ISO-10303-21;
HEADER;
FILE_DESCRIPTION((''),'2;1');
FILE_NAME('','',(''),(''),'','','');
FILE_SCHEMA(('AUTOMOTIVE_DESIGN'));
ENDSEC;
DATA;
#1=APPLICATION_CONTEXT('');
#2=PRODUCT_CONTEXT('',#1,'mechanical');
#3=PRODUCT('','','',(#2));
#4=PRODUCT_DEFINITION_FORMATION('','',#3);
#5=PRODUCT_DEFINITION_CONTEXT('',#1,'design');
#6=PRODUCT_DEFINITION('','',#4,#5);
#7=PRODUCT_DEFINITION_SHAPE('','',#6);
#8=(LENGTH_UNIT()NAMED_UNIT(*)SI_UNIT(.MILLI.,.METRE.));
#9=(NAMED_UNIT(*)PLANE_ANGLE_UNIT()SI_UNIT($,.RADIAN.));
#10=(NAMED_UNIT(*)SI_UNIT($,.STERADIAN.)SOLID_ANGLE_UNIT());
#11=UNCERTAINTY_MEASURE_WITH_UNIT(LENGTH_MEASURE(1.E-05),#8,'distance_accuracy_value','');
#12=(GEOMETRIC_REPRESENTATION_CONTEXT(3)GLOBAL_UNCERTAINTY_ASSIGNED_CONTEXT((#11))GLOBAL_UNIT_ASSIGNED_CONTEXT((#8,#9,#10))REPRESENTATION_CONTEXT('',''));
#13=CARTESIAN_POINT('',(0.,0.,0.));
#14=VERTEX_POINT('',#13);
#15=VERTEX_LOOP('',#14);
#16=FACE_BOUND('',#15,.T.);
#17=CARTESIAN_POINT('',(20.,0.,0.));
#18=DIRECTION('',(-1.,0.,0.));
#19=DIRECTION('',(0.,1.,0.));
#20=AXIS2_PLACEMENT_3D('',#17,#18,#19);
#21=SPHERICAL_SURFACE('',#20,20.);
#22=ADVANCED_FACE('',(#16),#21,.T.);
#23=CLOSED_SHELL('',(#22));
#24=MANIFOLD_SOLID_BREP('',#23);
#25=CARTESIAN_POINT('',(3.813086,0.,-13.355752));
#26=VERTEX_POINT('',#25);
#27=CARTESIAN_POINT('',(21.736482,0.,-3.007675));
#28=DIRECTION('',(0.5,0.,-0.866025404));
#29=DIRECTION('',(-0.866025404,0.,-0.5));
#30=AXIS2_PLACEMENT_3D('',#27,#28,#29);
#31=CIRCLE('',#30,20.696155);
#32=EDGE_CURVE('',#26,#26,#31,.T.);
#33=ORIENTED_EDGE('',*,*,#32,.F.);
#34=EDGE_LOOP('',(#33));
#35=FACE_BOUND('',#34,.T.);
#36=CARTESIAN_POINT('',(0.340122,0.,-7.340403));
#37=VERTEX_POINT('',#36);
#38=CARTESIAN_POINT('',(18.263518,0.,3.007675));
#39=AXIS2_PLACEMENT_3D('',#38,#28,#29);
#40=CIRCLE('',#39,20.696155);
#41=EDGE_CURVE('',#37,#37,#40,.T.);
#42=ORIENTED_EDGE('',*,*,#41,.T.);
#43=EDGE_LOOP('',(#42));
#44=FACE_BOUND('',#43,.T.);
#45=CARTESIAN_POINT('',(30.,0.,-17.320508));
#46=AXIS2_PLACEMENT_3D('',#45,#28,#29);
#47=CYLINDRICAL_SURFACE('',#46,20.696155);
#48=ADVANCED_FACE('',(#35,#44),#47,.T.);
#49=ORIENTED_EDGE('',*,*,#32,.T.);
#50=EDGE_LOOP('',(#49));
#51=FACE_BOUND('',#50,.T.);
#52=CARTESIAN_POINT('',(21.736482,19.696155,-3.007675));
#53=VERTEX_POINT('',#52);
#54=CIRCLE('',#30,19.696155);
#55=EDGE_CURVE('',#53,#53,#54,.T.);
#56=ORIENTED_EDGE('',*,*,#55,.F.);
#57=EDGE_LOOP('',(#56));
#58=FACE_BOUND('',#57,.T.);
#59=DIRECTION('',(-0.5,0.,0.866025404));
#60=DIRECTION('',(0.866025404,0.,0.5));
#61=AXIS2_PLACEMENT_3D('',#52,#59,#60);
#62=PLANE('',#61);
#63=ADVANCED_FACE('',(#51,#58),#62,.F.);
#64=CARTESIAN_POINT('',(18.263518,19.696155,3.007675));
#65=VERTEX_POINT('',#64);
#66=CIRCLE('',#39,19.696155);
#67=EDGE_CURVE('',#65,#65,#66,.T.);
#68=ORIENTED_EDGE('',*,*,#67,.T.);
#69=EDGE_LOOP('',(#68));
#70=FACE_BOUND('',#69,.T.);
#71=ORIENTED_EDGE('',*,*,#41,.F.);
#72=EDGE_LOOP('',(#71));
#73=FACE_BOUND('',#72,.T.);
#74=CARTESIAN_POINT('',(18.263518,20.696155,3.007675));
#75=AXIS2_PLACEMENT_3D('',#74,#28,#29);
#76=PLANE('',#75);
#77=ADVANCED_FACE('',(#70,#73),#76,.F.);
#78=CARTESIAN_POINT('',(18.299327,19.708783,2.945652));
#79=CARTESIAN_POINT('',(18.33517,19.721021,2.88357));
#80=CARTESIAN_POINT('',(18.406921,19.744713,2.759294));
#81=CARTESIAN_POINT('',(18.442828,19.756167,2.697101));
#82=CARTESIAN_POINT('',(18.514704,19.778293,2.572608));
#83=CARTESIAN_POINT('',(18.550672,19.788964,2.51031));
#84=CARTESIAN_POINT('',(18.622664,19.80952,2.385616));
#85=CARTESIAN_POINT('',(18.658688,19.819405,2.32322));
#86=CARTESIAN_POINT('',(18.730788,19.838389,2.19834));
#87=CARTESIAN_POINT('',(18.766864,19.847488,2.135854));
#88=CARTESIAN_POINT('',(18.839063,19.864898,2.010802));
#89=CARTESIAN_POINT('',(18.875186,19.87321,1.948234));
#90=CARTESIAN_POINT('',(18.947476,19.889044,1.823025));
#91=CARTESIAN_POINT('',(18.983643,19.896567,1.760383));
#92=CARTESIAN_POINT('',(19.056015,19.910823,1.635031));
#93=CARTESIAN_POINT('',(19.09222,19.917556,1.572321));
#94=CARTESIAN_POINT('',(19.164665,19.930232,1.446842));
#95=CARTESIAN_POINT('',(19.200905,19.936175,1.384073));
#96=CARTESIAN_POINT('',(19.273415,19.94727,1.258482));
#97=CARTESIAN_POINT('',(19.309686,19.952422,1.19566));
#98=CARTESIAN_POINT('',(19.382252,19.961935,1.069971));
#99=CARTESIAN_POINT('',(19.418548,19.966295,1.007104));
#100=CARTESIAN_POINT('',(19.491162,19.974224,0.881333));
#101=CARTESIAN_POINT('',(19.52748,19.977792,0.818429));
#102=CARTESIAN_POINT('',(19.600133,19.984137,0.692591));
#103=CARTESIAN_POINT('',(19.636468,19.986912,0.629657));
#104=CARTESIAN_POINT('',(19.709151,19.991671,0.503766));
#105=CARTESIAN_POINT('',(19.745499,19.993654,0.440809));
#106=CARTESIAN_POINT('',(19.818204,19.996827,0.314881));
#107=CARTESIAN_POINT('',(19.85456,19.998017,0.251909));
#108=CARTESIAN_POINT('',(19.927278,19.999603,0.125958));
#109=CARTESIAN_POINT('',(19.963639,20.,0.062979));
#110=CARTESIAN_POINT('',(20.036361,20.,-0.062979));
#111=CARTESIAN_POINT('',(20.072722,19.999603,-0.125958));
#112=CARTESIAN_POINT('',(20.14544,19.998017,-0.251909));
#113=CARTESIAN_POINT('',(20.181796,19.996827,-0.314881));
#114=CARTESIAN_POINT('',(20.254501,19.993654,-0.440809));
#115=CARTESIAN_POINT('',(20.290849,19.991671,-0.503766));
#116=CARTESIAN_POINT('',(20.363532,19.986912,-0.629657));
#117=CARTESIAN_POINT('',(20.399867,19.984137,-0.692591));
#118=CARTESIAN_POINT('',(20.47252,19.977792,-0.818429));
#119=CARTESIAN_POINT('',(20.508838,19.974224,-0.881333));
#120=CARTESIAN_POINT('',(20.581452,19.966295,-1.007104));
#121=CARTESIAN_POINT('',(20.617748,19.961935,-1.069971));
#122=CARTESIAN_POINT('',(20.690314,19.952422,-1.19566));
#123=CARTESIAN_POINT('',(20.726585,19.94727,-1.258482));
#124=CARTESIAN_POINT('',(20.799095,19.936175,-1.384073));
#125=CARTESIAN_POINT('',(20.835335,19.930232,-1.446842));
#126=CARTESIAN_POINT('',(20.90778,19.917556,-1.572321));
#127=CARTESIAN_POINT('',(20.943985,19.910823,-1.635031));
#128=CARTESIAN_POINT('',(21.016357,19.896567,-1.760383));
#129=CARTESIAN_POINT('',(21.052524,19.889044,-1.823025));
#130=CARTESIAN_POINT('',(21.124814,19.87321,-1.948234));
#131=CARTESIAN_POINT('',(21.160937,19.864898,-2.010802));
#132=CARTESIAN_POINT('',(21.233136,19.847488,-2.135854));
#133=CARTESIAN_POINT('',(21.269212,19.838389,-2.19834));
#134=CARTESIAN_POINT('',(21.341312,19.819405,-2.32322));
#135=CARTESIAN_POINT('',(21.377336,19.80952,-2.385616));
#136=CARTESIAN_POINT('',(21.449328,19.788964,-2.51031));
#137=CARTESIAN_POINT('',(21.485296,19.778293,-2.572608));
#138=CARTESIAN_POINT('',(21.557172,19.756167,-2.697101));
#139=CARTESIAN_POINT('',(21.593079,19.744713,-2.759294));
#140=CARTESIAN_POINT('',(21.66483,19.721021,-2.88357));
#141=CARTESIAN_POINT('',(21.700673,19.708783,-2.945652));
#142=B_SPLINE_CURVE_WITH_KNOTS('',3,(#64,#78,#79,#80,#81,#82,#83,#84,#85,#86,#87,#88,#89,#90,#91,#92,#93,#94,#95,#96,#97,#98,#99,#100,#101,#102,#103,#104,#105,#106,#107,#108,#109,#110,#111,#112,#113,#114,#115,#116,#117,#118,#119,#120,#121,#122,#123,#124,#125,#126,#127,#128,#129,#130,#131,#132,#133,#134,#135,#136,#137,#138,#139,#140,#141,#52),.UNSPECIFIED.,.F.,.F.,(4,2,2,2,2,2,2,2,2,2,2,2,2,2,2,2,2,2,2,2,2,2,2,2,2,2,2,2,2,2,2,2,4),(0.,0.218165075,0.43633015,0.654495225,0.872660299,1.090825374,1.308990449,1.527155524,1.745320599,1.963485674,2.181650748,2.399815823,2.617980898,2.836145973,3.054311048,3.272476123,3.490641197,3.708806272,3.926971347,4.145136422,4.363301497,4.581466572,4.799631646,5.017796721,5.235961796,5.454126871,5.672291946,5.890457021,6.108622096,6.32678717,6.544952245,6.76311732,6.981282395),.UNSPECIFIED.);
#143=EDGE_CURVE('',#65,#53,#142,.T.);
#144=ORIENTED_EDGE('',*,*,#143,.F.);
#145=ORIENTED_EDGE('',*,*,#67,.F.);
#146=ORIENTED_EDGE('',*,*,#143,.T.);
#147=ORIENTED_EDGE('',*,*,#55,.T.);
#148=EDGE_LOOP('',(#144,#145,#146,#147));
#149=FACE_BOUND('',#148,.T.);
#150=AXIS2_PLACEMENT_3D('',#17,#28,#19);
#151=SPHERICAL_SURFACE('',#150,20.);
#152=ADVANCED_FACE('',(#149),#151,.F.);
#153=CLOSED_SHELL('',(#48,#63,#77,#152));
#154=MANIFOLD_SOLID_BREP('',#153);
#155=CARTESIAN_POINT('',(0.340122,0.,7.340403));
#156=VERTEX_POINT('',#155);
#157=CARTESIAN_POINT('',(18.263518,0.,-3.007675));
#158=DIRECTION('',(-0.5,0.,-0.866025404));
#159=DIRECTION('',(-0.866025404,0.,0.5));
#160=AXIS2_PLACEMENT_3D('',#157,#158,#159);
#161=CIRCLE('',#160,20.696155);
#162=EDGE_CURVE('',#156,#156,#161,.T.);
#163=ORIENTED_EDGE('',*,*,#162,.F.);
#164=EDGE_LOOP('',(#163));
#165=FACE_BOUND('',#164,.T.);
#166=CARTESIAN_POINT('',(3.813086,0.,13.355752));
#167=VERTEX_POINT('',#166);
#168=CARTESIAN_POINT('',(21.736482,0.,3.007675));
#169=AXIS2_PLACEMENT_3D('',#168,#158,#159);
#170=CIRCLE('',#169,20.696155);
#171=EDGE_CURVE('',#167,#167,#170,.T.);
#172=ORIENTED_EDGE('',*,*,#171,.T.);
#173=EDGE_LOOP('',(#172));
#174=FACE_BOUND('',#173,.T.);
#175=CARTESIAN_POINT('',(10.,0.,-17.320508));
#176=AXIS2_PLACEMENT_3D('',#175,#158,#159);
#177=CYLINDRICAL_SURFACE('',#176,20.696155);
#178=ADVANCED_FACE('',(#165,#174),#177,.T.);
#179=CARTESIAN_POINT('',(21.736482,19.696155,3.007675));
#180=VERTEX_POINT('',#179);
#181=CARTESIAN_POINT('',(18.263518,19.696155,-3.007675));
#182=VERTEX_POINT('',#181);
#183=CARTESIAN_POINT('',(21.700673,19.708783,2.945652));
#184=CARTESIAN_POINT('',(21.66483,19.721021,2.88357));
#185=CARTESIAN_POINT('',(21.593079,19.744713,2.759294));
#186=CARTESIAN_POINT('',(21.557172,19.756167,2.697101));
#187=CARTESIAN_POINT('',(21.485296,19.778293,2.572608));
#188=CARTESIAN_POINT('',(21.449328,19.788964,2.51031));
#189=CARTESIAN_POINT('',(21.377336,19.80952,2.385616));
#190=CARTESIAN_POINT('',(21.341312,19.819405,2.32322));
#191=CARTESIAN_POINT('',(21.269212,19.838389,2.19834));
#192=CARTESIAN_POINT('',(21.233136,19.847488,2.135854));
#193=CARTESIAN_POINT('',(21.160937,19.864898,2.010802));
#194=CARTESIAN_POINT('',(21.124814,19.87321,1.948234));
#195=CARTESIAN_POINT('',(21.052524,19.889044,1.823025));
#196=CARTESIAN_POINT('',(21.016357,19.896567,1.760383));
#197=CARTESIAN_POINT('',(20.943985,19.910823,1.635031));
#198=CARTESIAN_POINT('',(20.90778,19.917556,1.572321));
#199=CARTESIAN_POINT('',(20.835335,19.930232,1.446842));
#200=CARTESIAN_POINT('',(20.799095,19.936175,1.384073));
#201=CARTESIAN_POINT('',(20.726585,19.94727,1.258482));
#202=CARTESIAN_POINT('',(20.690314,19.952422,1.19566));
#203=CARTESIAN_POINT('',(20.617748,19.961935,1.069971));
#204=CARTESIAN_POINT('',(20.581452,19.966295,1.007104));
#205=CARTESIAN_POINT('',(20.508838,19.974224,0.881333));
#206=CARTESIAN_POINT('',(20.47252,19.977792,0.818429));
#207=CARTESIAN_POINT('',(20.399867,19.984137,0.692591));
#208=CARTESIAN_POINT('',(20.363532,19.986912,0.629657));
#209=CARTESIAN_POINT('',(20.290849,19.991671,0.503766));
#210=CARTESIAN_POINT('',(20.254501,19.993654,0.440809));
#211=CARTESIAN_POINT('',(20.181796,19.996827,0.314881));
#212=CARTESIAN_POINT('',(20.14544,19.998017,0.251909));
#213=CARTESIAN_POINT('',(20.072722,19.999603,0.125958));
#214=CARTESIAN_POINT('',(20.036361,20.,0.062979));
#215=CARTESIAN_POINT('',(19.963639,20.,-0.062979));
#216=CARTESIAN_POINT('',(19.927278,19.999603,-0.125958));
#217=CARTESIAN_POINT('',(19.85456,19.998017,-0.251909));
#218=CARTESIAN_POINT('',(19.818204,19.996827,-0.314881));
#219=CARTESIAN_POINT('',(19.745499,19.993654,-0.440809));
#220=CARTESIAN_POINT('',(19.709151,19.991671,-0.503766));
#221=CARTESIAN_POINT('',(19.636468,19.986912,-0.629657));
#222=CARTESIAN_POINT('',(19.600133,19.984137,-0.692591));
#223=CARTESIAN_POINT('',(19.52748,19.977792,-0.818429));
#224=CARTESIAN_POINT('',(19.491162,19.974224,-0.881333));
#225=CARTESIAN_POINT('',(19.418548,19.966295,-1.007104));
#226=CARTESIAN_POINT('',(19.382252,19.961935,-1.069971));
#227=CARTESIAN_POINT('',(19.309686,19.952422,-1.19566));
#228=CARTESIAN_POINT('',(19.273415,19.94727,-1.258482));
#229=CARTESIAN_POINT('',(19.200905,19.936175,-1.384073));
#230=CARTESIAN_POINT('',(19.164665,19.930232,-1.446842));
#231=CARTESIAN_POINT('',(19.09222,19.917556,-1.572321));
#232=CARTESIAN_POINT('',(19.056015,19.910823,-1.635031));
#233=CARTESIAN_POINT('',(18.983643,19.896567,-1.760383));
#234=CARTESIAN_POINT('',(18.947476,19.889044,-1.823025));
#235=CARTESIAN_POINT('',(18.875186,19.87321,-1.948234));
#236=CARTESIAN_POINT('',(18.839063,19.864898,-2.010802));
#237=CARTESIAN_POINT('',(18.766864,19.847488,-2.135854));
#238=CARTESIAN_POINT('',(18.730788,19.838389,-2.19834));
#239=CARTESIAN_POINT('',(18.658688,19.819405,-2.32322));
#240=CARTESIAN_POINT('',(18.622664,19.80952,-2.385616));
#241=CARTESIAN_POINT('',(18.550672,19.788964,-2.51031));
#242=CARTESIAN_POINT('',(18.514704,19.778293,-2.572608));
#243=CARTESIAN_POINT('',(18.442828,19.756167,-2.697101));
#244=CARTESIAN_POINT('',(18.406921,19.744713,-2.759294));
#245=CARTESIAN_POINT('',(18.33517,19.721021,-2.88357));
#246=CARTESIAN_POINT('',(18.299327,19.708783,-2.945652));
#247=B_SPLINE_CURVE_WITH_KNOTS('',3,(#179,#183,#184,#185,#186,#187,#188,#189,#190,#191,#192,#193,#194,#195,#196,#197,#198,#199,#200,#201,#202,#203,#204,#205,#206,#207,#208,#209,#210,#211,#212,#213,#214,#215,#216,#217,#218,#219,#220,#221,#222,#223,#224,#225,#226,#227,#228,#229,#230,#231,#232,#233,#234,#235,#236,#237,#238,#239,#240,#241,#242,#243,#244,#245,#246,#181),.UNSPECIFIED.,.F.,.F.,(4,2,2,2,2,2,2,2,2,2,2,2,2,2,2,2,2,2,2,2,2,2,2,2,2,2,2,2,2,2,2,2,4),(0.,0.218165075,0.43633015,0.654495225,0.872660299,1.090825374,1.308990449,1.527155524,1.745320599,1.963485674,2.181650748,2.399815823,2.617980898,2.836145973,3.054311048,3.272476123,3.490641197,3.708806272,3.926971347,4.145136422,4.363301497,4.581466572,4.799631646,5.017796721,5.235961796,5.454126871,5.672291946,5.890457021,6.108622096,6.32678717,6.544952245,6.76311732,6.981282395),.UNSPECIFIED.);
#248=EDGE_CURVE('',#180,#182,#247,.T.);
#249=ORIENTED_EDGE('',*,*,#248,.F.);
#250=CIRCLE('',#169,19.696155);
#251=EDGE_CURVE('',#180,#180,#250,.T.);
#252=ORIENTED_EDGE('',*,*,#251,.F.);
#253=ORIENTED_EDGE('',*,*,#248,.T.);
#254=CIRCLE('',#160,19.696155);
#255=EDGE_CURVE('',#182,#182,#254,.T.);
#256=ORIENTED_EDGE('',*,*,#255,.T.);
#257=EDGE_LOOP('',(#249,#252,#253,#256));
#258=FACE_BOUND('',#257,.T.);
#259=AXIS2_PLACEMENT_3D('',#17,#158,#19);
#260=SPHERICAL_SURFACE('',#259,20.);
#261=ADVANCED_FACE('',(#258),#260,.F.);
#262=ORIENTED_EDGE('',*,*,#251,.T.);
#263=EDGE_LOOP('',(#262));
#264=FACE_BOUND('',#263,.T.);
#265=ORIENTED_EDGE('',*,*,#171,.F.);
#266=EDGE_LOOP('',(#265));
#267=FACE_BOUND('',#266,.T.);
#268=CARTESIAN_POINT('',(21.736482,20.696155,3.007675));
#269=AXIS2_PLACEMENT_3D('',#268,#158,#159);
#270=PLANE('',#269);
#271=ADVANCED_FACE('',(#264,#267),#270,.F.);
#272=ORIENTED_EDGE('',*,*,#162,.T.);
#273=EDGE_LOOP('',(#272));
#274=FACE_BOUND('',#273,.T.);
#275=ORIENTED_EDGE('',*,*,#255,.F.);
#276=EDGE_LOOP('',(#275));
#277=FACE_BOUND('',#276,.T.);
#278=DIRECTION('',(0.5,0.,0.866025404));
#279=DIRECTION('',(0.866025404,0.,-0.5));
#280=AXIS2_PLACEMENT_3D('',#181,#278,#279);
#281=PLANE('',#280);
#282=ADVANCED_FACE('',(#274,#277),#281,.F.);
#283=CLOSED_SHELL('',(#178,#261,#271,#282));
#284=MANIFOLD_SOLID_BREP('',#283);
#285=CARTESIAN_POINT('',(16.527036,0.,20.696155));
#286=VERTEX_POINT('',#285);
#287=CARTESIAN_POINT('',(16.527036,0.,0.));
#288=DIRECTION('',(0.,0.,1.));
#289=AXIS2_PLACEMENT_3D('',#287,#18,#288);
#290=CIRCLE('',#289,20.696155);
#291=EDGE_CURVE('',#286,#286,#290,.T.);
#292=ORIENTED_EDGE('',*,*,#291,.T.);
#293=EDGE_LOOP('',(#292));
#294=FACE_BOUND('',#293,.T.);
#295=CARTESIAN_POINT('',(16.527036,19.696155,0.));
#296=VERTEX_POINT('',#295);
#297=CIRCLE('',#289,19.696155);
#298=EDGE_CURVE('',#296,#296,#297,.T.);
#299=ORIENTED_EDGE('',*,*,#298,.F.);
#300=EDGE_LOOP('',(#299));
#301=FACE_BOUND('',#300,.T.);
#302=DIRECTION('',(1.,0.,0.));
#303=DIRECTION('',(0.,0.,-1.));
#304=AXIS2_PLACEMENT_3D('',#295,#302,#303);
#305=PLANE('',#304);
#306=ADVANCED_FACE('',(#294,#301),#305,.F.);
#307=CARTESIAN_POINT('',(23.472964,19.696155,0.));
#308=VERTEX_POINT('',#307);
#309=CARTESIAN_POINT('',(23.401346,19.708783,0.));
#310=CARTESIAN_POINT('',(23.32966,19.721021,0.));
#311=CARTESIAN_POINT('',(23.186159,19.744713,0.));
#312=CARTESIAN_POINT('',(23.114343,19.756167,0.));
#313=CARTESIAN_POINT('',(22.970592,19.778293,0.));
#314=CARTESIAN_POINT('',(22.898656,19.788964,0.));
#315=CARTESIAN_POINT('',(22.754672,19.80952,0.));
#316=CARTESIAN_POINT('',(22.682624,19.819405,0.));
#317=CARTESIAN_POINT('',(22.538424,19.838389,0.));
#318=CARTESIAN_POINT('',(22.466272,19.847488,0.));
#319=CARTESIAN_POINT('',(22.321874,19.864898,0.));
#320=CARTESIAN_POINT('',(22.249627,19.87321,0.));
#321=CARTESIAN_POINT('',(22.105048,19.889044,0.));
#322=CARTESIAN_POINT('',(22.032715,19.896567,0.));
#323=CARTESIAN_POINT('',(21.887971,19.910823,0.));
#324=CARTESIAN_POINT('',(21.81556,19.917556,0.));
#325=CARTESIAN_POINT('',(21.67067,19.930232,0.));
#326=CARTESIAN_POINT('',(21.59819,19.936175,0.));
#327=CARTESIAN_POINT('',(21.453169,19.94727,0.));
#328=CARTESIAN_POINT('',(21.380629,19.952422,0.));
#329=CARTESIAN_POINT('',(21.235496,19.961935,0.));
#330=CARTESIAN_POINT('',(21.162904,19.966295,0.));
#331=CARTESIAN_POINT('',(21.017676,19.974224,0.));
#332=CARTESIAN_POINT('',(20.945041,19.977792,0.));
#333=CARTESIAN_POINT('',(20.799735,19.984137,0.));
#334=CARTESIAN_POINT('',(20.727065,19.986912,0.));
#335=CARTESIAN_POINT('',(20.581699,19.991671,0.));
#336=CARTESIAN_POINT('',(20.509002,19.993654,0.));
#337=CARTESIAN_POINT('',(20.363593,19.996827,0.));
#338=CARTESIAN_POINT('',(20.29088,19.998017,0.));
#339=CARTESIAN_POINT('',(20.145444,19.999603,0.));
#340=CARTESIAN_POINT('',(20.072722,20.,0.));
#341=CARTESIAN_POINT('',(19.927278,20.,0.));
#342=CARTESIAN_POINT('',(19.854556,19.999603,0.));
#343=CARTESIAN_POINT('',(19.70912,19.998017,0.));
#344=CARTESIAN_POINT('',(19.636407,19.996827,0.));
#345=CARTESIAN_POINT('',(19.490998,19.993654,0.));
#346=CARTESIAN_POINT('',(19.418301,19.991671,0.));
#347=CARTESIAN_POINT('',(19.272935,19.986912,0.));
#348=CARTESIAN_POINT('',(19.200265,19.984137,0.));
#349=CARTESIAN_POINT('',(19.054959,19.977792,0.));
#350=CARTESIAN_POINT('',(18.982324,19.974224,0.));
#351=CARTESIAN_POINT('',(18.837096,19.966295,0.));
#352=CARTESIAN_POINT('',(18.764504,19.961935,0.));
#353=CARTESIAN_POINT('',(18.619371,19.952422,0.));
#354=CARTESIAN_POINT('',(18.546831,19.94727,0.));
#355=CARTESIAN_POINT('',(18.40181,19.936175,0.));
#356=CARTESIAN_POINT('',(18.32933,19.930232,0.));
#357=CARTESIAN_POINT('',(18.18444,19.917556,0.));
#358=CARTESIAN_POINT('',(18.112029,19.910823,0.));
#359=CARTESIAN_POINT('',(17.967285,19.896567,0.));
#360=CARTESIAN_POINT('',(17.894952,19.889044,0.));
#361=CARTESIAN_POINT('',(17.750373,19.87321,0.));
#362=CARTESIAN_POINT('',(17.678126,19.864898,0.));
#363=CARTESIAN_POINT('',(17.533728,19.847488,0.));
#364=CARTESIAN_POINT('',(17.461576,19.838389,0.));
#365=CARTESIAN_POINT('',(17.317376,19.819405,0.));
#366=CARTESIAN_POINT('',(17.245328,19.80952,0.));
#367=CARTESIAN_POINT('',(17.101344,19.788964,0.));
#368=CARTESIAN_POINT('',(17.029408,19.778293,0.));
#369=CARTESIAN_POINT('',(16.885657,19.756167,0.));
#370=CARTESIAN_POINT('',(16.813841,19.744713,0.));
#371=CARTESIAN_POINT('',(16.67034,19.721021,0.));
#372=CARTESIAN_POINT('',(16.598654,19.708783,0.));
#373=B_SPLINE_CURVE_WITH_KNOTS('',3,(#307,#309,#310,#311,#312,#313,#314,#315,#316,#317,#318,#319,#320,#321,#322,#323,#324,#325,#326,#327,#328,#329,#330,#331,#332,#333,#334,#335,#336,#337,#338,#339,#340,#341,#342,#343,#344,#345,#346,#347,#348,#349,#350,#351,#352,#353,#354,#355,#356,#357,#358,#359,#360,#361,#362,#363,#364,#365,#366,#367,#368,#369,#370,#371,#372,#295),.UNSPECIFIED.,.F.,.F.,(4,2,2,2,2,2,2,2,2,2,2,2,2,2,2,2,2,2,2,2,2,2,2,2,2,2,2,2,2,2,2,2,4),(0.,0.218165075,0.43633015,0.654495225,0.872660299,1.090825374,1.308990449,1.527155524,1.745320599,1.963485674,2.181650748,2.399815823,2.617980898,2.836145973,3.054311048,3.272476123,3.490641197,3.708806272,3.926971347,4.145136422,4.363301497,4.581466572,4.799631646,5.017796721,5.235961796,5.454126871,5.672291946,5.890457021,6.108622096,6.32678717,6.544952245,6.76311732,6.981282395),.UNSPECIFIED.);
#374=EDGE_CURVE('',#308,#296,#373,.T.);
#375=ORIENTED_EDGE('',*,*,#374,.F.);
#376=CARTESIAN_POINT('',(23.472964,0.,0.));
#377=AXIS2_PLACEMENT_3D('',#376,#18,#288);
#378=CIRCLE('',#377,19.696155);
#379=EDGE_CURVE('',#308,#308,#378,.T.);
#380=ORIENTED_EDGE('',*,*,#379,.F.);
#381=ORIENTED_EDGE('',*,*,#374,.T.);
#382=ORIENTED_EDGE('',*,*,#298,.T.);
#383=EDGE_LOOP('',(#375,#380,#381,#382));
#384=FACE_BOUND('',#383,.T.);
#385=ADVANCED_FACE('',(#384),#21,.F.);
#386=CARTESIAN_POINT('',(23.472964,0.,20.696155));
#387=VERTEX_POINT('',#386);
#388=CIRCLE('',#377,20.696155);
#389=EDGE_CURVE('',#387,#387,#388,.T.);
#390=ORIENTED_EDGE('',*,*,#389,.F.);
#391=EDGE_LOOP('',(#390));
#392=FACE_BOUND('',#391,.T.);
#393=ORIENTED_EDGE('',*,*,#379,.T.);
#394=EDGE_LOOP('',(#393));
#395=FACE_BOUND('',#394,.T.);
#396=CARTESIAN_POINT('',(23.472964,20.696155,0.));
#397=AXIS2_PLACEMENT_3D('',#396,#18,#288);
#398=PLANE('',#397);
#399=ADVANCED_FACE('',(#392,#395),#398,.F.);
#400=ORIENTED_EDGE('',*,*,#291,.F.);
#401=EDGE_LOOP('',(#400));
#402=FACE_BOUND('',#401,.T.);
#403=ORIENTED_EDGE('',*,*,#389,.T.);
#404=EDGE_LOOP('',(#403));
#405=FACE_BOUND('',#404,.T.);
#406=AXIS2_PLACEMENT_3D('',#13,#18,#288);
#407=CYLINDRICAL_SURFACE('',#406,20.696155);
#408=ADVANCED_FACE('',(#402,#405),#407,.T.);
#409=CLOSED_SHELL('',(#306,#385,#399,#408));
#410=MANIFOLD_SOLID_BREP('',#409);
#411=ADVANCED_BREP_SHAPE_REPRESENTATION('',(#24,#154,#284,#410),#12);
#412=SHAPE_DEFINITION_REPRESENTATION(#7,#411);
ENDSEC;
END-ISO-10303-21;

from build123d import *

# Parameters (mm, degrees)
R_P_TITION_CIRCULAIRE3_COUNT = 3
R_P_TITION_CIRCULAIRE3_ANGLE = 120


with BuildPart() as part:
    # Esquisse1 → Révolution1 (revolve)
    with BuildSketch(Plane.XY):
        with BuildLine():
            Line((0, 0), (40, 0))
            ThreePointArc((40, 0), (20, 20), (0, 0))
        make_face()
    revolve(axis=Axis((0, 0, 0), (1, 0, 0)))


with BuildPart() as body_2:
    # Esquisse2 → Révolution2 (revolve)
    with BuildSketch(Plane.XY, mode=Mode.PRIVATE) as r_volution2_sk:
        with BuildLine():
            Line((16.527036447, 19.69615506), (16.527036447, 20.69615506))
            Line((16.527036447, 20.69615506), (23.472963553, 20.69615506))
            Line((23.472963553, 20.69615506), (23.472963553, 19.69615506))
            ThreePointArc((23.472963553, 19.69615506), (20, 20), (16.527036447, 19.69615506))
        make_face()
    revolve(r_volution2_sk.sketch.rotate(Axis((0, 0, 0), (1, 0, 0)), 90), axis=Axis((0, 0, 0), (1, 0, 0)))


with BuildPart() as r_p_tition_circulaire3_1:
    # Répétition circulaire3: pattern copy
    add(body_2.part.rotate(Axis((20, 0, 0), (0, -1, 0)), 1 * R_P_TITION_CIRCULAIRE3_ANGLE / (R_P_TITION_CIRCULAIRE3_COUNT - 1)))


with BuildPart() as r_p_tition_circulaire3_2:
    # Répétition circulaire3: pattern copy
    add(body_2.part.rotate(Axis((20, 0, 0), (0, -1, 0)), 2 * R_P_TITION_CIRCULAIRE3_ANGLE / (R_P_TITION_CIRCULAIRE3_COUNT - 1)))


solid = Compound([part.part, body_2.part, r_p_tition_circulaire3_1.part, r_p_tition_circulaire3_2.part])
